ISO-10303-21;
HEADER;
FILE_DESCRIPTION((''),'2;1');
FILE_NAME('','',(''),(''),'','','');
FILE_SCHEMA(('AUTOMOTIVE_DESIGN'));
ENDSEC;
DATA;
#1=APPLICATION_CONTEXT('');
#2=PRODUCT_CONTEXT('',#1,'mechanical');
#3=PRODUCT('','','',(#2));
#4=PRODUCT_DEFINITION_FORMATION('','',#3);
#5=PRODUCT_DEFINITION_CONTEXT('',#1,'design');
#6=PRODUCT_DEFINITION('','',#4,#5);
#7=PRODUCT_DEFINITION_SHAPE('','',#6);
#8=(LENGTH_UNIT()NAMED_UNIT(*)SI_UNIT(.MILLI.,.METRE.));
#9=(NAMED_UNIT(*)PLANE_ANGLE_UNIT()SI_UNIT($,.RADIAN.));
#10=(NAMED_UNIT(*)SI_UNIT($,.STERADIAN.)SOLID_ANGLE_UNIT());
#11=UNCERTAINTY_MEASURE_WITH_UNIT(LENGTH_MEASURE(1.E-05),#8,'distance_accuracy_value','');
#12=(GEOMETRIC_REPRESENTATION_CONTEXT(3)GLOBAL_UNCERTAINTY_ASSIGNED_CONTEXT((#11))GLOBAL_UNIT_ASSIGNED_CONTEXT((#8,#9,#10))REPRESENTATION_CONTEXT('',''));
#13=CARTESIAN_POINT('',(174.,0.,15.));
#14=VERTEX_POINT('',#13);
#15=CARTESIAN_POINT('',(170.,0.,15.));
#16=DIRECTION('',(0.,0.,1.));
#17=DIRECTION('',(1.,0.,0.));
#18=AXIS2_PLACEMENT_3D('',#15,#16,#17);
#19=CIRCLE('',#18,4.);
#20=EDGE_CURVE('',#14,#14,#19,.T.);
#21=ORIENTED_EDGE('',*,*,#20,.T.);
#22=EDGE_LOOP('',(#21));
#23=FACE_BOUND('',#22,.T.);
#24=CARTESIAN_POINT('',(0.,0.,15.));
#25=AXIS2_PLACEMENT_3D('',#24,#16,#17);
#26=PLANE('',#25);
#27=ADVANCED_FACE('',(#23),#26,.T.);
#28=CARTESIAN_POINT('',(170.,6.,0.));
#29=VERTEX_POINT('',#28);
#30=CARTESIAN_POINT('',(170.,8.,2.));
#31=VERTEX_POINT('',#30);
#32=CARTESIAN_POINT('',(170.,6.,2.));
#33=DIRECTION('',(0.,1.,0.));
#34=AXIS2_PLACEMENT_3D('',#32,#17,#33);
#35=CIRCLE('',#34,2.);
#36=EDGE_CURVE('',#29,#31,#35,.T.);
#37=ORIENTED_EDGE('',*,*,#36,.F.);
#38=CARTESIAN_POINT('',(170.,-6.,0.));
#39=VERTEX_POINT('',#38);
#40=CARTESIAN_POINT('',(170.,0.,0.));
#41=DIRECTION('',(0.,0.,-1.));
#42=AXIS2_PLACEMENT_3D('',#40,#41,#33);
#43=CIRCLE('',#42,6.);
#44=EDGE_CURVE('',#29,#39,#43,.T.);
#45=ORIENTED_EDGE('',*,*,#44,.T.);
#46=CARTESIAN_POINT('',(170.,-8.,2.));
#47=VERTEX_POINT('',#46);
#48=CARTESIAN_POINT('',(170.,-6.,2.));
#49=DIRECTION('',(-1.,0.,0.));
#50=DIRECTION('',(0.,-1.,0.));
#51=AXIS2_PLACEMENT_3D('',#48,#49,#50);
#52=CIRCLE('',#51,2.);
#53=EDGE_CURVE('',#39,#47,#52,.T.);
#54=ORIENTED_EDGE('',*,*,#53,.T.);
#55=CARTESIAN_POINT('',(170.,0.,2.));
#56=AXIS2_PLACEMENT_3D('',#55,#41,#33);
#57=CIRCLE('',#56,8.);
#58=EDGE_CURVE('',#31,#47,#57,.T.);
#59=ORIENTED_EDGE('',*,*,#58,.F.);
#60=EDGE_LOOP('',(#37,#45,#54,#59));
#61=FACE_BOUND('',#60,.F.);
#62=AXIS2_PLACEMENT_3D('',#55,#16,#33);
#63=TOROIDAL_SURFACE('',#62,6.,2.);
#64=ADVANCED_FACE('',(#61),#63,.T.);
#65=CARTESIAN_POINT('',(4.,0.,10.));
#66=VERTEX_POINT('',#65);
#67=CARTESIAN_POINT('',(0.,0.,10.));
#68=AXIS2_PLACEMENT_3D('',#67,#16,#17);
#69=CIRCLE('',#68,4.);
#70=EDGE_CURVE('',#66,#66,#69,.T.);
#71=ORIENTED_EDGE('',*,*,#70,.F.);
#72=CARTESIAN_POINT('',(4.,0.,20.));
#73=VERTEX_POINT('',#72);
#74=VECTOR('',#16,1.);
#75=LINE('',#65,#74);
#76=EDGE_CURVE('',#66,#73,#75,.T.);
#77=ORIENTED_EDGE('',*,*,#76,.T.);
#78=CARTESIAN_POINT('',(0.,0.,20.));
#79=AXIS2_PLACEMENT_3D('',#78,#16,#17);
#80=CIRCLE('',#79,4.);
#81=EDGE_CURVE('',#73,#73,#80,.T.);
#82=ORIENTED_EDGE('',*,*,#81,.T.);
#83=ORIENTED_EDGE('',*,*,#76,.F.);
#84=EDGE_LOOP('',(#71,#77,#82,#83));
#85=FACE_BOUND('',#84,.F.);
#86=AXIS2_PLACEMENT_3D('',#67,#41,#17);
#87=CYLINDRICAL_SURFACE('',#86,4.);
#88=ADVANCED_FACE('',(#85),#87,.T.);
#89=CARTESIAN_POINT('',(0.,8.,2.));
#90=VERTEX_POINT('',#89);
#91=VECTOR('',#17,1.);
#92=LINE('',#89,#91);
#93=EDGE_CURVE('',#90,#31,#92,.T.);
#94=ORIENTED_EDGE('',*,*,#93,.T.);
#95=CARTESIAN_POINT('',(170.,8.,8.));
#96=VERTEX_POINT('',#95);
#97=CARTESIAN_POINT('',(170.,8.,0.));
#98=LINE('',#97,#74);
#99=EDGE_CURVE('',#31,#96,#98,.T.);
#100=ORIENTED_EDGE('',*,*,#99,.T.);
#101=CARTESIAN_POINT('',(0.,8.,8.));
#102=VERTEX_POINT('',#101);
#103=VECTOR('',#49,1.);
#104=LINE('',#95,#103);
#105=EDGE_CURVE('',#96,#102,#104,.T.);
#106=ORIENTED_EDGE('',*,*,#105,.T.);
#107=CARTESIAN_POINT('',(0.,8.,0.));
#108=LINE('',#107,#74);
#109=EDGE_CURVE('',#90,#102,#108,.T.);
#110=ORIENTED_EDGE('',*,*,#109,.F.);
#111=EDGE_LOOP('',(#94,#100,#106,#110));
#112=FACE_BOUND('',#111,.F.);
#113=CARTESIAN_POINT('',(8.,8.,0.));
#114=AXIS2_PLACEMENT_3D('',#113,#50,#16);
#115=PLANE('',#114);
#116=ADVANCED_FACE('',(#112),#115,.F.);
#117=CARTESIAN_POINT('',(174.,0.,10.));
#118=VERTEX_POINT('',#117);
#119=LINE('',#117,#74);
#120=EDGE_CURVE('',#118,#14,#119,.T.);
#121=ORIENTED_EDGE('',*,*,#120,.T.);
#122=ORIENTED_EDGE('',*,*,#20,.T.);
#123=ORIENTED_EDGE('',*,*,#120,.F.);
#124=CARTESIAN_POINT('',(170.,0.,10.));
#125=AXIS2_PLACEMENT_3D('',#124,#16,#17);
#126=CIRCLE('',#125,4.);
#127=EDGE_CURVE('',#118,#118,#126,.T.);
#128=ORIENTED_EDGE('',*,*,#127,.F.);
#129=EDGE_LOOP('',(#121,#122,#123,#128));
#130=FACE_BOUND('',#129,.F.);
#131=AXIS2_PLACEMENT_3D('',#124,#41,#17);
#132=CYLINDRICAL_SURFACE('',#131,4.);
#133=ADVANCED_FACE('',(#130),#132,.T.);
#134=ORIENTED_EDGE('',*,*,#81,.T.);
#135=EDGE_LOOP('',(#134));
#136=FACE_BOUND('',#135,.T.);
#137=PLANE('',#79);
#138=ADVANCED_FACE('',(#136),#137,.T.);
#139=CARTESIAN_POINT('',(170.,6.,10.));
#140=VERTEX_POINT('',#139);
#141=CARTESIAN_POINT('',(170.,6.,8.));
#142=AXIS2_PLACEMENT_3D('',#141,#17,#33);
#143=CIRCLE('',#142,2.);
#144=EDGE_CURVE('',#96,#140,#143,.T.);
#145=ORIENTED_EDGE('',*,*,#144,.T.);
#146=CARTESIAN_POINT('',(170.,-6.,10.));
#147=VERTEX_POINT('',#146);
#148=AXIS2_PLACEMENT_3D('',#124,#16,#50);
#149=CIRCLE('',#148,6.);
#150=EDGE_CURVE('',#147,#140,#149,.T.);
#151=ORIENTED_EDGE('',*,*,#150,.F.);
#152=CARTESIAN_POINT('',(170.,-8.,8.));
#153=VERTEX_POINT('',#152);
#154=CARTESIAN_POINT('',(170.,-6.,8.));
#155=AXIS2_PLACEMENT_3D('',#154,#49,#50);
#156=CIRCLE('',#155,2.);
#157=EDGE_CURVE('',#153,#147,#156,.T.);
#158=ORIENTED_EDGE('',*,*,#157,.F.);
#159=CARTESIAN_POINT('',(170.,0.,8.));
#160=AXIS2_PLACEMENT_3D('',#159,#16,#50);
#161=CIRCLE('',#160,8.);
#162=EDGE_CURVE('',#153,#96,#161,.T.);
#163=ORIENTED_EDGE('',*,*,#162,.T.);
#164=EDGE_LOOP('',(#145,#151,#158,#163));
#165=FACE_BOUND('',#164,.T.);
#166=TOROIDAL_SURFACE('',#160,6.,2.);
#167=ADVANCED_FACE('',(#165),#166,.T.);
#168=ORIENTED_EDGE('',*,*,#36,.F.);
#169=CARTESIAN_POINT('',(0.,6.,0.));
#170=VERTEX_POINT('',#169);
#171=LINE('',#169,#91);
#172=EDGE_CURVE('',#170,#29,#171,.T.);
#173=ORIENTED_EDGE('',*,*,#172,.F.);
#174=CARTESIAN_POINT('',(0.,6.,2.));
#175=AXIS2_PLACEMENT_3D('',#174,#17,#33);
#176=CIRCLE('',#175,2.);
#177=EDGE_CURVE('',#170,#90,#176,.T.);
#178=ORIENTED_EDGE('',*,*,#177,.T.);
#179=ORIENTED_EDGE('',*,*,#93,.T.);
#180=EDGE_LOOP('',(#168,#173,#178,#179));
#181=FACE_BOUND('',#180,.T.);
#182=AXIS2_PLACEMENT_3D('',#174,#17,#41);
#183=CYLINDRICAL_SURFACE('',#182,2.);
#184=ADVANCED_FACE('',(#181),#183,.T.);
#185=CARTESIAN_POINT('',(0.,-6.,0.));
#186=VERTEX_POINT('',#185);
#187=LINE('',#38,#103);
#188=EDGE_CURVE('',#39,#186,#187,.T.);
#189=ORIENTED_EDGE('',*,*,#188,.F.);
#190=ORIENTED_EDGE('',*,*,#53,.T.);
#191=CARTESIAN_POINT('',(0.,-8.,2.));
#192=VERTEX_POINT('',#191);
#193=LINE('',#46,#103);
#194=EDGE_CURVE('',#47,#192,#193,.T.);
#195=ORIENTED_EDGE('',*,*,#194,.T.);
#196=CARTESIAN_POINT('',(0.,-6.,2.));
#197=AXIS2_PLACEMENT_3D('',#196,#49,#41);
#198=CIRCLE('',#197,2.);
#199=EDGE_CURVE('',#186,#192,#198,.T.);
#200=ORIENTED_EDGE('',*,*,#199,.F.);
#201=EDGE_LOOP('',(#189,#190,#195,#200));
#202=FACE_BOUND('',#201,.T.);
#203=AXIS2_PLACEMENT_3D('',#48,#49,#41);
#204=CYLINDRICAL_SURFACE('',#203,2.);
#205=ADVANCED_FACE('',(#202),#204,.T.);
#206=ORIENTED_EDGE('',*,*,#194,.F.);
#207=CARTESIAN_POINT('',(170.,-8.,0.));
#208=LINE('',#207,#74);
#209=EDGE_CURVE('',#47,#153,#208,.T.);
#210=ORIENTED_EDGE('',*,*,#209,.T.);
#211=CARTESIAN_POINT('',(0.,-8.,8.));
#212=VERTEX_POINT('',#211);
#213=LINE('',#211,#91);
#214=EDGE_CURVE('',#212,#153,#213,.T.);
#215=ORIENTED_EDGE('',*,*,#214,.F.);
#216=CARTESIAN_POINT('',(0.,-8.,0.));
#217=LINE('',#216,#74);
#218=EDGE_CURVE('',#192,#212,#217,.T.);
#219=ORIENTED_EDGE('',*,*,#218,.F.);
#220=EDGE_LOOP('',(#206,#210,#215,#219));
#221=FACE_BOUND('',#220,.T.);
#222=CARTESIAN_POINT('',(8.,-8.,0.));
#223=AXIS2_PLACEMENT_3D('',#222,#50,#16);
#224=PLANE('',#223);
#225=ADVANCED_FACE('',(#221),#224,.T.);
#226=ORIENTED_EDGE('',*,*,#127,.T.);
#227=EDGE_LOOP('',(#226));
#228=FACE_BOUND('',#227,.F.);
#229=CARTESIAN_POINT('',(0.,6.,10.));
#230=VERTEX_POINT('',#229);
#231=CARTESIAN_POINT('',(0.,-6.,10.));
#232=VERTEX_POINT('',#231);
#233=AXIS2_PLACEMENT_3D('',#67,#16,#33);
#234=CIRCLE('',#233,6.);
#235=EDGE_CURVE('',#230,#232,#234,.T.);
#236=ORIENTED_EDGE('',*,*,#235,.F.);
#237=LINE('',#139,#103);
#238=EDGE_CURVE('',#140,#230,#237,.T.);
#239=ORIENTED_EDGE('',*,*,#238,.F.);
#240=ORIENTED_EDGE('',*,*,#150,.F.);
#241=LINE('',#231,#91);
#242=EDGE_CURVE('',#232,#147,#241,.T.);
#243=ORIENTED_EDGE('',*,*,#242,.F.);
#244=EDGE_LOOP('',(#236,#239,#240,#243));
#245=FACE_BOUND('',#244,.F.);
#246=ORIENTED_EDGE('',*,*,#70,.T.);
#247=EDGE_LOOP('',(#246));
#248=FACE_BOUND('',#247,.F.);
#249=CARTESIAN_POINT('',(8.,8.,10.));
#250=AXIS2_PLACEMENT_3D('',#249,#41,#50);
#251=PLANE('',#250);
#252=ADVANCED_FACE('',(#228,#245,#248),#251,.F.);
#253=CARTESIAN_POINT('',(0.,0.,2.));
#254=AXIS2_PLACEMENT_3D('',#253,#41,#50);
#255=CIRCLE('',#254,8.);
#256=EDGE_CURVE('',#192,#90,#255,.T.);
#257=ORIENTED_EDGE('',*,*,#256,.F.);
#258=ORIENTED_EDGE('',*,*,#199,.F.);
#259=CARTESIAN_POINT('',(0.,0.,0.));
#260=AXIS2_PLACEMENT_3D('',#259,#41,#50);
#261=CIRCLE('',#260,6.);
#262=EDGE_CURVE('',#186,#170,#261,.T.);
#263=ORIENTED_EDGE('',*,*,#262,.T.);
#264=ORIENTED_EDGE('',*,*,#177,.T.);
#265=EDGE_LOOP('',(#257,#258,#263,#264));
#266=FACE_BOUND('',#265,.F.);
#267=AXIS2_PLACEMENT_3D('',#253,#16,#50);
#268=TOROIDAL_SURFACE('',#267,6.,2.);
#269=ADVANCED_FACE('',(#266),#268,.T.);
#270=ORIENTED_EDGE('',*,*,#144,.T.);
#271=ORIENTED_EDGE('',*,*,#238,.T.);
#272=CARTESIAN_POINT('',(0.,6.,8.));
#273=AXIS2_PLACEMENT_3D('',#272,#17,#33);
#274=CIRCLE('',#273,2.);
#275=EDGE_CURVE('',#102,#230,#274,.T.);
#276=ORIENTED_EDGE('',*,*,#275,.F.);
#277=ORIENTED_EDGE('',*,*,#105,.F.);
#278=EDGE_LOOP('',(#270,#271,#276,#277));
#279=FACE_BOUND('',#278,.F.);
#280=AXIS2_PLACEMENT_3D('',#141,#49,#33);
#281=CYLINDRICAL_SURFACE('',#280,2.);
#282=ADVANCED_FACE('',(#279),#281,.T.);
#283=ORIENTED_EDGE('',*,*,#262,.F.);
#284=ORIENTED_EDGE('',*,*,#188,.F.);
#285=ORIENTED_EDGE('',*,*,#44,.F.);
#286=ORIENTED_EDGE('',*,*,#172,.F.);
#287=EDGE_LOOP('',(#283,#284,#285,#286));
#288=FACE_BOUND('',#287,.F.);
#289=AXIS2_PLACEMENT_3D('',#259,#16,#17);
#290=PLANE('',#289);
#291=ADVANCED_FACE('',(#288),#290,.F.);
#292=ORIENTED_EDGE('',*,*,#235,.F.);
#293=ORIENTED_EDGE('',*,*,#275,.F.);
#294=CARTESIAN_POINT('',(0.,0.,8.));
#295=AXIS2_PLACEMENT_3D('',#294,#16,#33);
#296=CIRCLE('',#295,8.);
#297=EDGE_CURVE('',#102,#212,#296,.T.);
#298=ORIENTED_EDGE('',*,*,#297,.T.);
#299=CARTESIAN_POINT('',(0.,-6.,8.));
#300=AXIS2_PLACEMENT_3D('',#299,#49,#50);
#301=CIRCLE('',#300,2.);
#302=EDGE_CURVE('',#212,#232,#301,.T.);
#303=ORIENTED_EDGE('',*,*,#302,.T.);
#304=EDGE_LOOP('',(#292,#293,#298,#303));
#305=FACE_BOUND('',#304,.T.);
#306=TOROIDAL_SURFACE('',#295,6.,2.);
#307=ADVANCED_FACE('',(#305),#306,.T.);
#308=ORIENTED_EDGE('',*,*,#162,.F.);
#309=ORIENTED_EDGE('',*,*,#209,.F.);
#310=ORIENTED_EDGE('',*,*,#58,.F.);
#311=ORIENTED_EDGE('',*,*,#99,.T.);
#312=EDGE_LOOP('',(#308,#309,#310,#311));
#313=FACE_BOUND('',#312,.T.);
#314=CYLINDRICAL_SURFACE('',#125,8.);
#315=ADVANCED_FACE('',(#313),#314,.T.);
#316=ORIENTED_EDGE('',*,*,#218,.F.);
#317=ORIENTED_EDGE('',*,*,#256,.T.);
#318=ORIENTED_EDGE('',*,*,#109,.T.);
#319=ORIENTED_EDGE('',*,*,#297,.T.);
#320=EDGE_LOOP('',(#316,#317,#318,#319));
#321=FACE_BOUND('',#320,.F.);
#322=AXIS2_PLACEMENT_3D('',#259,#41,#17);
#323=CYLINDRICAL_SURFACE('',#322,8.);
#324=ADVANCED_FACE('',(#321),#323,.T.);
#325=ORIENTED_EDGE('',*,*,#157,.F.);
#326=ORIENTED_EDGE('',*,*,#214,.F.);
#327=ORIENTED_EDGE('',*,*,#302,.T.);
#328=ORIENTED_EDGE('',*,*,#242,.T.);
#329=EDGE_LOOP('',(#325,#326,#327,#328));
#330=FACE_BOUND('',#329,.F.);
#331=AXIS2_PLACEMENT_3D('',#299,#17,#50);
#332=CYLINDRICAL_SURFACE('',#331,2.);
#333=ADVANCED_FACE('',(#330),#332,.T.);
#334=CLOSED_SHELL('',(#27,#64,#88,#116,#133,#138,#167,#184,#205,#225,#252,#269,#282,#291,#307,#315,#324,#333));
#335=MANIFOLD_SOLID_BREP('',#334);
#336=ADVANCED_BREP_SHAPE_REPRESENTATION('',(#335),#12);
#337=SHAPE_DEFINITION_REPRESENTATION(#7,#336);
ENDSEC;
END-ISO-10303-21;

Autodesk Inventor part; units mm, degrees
ref_plane "XZ Plane" through (0, 0, 0) normal (0, 1, 0) x (-1, 0, 0)
ref_plane "XY Plane" through (0, 0, 0) normal (0, 0, 1) x (1, 0, 0)
sketch "Sketch1" plane through (0, 0, 0) normal (0, 0, 1) x (1, 0, 0)
  circle A0 centre (0, 0) radius 8
  dimension "d0" = 16
extrude "Extrusion1" add sketch "Sketch1" along normal blind 10
ref_plane "Work Plane1" through (8, 0, 0) normal (1, 0, 0) x (0, 1, 0)
sketch "Sketch2" plane through (8, 0, 0) normal (1, 0, 0) x (0, 1, 0)
  line L0 (-8, 0) -> (-8, 10) projected
  line L1 (8, 10) -> (-8, 10)
  line L2 (-8, 10) -> (-8, 0)
  line L3 (-8, 0) -> (8, 0)
  line L4 (8, 0) -> (8, 10)
  line L5 (8, 10) -> (-8, 0) construction
  line L6 (-8, 10) -> (8, 0) construction
  point P0 (0, 0)
  point P1 (0, 5)
extrude "Extrusion2" add sketch "Sketch2" along normal blind 162 and the other way blind 8
sketch "Sketch3" plane through (0, 0, 10) normal (0, 0, 1) x (1, 0, 0)
  arc A0 (0, 8) -> (0, -8) centre (0, 0) ccw projected
  line L0 (0, 0) -> (170, 0)
  line L1 (170, -8) -> (0, -8) projected
  line L2 (0, 0) -> (170, 0) construction
  line L3 (170, 8) -> (170, -8) projected
  circle A1 centre (170, 0) radius 8
  dimension "d8" = 170
  dimension "d9" = 0
extrude "Extrusion3" add sketch "Sketch3" against normal blind 10
ref_plane "Work Plane2" through (-8, 0, 0) normal (1, 0, 0) x (0, 1, 0)
sketch "Sketch4" plane through (-8, 0, 0) normal (1, 0, 0) x (0, 1, 0)
  line L0 (-8, 0) -> (-8, 10) projected
  line L1 (8, 7.5) -> (-8, 7.5)
  line L2 (-8, 7.5) -> (-8, 2.5)
  line L3 (-8, 2.5) -> (8, 2.5)
  line L4 (8, 2.5) -> (8, 7.5)
  line L5 (8, 7.5) -> (-8, 2.5) construction
  line L6 (-8, 7.5) -> (8, 2.5) construction
  line L7 (8, 10) -> (-8, 10) projected
  line L8 (8, 0) -> (8, 10) projected
  line L9 (-8, 10) -> (-8, 0) projected
  line L10 (-8, 0) -> (8, 0) projected
  point P0 (0, 0)
  point P1 (0, 5)
  dimension "d13" = 5
extrude "Extrusion4" [suppressed]
sketch "Sketch5" plane through (0, -8, 7.5) normal (0, 0, 1) x (1, 0, 0)
  circle A0 centre (0, 8) radius 4
  dimension "d16" = 8
extrude "Extrusion5" [suppressed]
sketch "Sketch6" plane through (0, 0, 10) normal (0, 0, 1) x (1, 0, 0)
  arc A0 (170, -8) -> (170, 8) centre (170, 0) ccw projected
  circle A1 centre (170, 0) radius 4
  point P0 (0, 0)
  dimension "d21" = 8
extrude "Extrusion6" add sketch "Sketch6" along normal blind 5
sketch "Sketch7" plane through (0, 0, 10) normal (0, 0, 1) x (1, 0, 0)
  circle A0 centre (0, 0) radius 4
  dimension "d24" = 8
extrude "Extrusion7" add sketch "Sketch7" along normal blind 10
fillet "Fillet1" radius 2 8 edges at (178, 0, 0) (85, -8, 0) (-8, 0, 0) (85, 8, 0) (178, 0, 10) (85, -8, 10) (-8, 0, 10) (85, 8, 10)
properties part number "Acoplador" material "Iron, Ductile"
